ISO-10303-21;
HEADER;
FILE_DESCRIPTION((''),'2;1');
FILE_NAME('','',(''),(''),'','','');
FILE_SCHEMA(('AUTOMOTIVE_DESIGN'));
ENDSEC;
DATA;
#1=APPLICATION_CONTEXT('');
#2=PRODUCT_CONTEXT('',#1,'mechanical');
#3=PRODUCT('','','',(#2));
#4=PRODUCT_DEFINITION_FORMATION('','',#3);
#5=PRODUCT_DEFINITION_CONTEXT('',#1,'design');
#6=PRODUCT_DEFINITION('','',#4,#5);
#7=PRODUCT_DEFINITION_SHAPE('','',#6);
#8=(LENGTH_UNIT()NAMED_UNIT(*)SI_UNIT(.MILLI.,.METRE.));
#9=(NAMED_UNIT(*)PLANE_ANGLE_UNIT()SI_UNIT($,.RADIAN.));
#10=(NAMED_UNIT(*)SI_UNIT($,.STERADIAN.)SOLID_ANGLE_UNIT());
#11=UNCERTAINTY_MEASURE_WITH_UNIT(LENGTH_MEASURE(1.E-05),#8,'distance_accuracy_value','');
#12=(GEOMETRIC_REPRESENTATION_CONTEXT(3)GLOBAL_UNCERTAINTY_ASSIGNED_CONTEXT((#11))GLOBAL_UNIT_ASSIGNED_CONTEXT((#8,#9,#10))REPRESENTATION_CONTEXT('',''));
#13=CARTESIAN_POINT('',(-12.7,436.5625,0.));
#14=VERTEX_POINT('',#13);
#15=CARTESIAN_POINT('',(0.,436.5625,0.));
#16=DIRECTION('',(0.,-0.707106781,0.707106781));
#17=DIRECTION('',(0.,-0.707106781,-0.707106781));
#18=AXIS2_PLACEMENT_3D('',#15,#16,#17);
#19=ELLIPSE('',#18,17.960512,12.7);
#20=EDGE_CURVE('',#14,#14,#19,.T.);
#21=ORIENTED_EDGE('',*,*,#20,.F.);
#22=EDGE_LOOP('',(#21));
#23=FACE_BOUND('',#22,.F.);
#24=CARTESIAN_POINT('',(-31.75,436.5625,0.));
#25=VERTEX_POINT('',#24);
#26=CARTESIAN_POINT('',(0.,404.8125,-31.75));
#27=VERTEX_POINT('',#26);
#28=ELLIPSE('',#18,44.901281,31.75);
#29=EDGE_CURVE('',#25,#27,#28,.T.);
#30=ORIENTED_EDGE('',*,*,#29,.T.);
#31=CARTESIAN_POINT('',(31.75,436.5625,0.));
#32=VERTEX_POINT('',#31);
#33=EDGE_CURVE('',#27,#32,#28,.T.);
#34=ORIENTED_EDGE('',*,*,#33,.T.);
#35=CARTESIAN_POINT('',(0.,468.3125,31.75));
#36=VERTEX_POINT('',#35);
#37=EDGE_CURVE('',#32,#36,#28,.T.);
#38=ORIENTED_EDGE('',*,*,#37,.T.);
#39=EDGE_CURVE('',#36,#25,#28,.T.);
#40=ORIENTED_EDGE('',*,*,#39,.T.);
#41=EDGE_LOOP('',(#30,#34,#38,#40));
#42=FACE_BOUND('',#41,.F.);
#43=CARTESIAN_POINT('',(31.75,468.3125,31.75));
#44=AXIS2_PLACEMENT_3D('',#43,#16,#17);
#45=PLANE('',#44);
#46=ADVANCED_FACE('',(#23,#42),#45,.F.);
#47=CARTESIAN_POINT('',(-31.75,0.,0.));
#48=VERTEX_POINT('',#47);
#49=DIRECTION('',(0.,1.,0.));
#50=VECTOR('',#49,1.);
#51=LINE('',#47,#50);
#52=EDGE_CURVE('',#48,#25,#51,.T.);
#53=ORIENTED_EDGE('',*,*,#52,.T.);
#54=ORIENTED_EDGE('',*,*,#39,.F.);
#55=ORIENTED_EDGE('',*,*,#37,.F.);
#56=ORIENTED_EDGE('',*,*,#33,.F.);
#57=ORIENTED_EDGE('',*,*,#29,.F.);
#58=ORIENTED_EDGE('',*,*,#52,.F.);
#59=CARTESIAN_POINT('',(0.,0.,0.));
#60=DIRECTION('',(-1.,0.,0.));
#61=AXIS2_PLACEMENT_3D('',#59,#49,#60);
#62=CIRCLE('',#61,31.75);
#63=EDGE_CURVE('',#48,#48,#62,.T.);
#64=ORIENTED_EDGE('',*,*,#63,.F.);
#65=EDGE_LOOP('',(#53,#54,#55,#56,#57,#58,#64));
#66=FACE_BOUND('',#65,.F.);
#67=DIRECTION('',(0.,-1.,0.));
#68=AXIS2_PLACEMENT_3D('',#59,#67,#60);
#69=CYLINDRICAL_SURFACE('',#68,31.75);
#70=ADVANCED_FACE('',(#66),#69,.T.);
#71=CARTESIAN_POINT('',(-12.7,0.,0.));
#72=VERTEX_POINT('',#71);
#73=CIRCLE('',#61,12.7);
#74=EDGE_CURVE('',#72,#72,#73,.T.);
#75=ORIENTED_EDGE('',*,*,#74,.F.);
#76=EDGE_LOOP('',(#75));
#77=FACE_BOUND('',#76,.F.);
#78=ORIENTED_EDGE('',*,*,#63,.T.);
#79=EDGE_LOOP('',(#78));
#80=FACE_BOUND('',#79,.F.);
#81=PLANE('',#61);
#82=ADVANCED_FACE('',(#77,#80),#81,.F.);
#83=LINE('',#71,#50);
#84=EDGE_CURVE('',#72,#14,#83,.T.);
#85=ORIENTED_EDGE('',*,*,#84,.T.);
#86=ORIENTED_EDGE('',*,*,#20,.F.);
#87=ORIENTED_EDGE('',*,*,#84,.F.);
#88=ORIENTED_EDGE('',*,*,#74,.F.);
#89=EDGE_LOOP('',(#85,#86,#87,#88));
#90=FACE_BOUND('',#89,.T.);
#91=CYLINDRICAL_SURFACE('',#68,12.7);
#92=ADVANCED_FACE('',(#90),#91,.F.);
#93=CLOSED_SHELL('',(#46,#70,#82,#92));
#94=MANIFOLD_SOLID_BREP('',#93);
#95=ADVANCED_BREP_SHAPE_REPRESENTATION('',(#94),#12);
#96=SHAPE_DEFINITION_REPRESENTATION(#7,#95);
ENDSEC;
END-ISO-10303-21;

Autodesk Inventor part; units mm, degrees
ref_plane "XZ Plane" through (0, 0, 0) normal (0, 1, 0) x (-1, 0, 0)
ref_plane "XY Plane" through (0, 0, 0) normal (0, 0, 1) x (1, 0, 0)
sketch "Sketch1" plane through (0, 0, 0) normal (0, 1, 0) x (-1, 0, 0)
  circle A0 centre (0, 0) radius 12.7
  circle A1 centre (0, 0) radius 31.75
  dimension "d0" = 63.5
  dimension "d1" = 25.4
extrude "Extrusion1" add sketch "Sketch1" along normal blind 468.3125
ref_plane "Work Plane1" through (31.75, 0, 0) normal (1, 0, 0) x (0, 1, 0)
sketch "Sketch2" plane through (31.75, 0, 0) normal (1, 0, 0) x (0, 1, 0)
  line L0 (468.3125, -31.75) -> (468.3125, 31.75) projected
  line L1 (468.3125, 31.75) -> (404.8125, -31.75)
  line L2 (0, -31.75) -> (468.3125, -31.75) projected
  point P0 (0, 0)
  dimension "d4" = 45
extrude "Extrusion2" cut sketch "Sketch2" against normal blind 436.5625
properties part number "BUMP_Noodle1" material "Pool Noodle"
